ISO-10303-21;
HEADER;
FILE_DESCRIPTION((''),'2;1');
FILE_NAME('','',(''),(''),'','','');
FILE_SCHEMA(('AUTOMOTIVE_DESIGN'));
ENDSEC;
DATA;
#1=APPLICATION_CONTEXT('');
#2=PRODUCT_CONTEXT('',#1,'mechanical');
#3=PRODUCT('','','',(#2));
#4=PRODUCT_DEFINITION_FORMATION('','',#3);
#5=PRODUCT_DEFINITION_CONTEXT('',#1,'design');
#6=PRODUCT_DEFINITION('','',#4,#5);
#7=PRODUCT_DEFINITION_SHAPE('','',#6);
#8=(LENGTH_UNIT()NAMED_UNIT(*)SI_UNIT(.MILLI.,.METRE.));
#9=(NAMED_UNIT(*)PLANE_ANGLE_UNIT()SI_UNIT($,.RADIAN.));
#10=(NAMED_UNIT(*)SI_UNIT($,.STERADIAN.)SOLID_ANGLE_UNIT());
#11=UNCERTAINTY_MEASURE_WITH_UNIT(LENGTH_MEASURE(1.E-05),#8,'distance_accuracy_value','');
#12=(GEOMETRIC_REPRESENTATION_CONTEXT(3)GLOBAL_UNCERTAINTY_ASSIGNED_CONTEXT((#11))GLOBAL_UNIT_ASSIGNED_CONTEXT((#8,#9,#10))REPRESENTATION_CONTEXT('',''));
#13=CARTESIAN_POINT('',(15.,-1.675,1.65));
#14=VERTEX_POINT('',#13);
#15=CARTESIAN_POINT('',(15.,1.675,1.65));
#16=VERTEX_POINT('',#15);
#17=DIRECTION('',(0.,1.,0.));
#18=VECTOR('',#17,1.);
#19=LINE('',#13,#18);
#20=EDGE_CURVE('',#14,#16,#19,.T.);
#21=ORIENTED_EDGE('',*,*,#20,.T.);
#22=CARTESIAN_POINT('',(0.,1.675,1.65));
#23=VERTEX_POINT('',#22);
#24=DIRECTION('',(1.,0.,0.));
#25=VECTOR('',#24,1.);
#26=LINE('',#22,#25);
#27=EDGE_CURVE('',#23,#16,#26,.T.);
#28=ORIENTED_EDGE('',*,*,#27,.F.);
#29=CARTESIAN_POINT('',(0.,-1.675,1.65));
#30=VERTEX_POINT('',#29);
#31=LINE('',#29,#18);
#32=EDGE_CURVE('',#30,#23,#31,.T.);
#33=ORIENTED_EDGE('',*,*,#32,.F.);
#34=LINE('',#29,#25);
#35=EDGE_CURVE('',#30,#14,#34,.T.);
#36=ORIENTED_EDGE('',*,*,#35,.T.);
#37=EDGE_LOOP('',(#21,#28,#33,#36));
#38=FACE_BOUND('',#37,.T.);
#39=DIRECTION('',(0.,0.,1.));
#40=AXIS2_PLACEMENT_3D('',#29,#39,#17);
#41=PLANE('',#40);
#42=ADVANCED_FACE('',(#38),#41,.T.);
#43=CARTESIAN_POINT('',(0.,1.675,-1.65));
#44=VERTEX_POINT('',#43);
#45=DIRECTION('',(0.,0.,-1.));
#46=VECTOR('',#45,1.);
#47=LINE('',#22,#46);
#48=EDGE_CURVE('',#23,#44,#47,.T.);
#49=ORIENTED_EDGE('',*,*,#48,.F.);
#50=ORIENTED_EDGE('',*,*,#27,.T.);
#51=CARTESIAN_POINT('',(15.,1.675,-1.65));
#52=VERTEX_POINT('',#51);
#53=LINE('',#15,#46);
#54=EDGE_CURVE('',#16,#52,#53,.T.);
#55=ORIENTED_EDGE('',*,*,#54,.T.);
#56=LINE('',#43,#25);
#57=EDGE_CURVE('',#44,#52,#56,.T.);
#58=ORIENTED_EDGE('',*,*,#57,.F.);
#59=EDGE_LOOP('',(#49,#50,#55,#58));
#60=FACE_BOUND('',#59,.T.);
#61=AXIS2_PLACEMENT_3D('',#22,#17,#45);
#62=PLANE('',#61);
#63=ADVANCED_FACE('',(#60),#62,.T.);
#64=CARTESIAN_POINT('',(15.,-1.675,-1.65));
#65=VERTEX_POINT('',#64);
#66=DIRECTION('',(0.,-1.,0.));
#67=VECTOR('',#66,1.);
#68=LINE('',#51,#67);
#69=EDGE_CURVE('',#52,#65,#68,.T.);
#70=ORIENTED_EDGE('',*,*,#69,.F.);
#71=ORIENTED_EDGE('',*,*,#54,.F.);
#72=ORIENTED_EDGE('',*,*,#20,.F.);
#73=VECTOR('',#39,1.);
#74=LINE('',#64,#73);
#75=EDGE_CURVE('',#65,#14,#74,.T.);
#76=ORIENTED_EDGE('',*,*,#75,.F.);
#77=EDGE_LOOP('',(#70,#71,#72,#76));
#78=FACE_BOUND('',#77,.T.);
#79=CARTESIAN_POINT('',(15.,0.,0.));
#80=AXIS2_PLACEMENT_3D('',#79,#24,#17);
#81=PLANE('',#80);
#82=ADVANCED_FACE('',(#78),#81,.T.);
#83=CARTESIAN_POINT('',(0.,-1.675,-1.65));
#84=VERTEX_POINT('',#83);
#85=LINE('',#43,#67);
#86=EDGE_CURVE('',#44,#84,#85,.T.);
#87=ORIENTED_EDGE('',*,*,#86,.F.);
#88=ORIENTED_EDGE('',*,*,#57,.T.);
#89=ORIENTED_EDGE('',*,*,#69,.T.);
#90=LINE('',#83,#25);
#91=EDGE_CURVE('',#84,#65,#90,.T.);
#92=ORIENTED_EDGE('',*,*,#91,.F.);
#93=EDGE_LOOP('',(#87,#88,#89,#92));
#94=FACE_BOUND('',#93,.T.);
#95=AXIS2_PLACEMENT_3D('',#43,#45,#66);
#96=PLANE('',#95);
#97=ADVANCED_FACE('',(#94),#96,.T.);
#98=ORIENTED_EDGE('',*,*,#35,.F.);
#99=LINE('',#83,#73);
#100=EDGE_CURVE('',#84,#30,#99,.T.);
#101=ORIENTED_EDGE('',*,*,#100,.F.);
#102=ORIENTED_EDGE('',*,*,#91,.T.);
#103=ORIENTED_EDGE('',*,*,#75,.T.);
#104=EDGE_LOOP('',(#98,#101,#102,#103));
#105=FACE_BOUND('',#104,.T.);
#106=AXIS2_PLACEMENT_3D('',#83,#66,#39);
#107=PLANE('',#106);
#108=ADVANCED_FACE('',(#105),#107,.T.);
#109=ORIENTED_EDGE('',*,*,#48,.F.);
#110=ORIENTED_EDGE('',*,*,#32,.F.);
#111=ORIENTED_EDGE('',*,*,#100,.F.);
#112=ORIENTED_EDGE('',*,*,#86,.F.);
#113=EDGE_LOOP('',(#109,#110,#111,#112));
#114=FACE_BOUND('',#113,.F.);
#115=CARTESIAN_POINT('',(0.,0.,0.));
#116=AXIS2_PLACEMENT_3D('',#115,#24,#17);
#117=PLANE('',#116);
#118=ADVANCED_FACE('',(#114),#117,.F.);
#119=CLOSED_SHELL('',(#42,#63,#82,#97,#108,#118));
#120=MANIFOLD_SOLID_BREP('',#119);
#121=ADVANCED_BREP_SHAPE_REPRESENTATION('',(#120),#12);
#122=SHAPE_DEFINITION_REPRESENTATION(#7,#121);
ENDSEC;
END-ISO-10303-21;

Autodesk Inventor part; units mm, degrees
ref_plane "YZ Plane" through (0, 0, 0) normal (1, 0, 0) x (0, 1, 0)
ref_plane "XZ Plane" through (0, 0, 0) normal (0, 1, 0) x (-1, 0, 0)
ref_plane "XY Plane" through (0, 0, 0) normal (0, 0, 1) x (1, 0, 0)
sketch "스케치1" plane through (0, 0, 0) normal (1, 0, 0) x (0, 1, 0)
  line L0 (-1.675, 1.65) -> (1.675, 1.65)
  line L1 (1.675, 1.65) -> (1.675, -1.65)
  line L2 (1.675, -1.65) -> (-1.675, -1.65)
  line L3 (-1.675, -1.65) -> (-1.675, 1.65)
  line L4 (-1.675, 1.65) -> (1.675, -1.65) construction
  line L5 (1.675, 1.65) -> (-1.675, -1.65) construction
  point P0 (0, 0)
  dimension "d0" = 3.35
  dimension "d1" = 3.3
extrude "돌출1" add sketch "스케치1" along normal blind 15
properties part number "SAFRS-P-0042"
